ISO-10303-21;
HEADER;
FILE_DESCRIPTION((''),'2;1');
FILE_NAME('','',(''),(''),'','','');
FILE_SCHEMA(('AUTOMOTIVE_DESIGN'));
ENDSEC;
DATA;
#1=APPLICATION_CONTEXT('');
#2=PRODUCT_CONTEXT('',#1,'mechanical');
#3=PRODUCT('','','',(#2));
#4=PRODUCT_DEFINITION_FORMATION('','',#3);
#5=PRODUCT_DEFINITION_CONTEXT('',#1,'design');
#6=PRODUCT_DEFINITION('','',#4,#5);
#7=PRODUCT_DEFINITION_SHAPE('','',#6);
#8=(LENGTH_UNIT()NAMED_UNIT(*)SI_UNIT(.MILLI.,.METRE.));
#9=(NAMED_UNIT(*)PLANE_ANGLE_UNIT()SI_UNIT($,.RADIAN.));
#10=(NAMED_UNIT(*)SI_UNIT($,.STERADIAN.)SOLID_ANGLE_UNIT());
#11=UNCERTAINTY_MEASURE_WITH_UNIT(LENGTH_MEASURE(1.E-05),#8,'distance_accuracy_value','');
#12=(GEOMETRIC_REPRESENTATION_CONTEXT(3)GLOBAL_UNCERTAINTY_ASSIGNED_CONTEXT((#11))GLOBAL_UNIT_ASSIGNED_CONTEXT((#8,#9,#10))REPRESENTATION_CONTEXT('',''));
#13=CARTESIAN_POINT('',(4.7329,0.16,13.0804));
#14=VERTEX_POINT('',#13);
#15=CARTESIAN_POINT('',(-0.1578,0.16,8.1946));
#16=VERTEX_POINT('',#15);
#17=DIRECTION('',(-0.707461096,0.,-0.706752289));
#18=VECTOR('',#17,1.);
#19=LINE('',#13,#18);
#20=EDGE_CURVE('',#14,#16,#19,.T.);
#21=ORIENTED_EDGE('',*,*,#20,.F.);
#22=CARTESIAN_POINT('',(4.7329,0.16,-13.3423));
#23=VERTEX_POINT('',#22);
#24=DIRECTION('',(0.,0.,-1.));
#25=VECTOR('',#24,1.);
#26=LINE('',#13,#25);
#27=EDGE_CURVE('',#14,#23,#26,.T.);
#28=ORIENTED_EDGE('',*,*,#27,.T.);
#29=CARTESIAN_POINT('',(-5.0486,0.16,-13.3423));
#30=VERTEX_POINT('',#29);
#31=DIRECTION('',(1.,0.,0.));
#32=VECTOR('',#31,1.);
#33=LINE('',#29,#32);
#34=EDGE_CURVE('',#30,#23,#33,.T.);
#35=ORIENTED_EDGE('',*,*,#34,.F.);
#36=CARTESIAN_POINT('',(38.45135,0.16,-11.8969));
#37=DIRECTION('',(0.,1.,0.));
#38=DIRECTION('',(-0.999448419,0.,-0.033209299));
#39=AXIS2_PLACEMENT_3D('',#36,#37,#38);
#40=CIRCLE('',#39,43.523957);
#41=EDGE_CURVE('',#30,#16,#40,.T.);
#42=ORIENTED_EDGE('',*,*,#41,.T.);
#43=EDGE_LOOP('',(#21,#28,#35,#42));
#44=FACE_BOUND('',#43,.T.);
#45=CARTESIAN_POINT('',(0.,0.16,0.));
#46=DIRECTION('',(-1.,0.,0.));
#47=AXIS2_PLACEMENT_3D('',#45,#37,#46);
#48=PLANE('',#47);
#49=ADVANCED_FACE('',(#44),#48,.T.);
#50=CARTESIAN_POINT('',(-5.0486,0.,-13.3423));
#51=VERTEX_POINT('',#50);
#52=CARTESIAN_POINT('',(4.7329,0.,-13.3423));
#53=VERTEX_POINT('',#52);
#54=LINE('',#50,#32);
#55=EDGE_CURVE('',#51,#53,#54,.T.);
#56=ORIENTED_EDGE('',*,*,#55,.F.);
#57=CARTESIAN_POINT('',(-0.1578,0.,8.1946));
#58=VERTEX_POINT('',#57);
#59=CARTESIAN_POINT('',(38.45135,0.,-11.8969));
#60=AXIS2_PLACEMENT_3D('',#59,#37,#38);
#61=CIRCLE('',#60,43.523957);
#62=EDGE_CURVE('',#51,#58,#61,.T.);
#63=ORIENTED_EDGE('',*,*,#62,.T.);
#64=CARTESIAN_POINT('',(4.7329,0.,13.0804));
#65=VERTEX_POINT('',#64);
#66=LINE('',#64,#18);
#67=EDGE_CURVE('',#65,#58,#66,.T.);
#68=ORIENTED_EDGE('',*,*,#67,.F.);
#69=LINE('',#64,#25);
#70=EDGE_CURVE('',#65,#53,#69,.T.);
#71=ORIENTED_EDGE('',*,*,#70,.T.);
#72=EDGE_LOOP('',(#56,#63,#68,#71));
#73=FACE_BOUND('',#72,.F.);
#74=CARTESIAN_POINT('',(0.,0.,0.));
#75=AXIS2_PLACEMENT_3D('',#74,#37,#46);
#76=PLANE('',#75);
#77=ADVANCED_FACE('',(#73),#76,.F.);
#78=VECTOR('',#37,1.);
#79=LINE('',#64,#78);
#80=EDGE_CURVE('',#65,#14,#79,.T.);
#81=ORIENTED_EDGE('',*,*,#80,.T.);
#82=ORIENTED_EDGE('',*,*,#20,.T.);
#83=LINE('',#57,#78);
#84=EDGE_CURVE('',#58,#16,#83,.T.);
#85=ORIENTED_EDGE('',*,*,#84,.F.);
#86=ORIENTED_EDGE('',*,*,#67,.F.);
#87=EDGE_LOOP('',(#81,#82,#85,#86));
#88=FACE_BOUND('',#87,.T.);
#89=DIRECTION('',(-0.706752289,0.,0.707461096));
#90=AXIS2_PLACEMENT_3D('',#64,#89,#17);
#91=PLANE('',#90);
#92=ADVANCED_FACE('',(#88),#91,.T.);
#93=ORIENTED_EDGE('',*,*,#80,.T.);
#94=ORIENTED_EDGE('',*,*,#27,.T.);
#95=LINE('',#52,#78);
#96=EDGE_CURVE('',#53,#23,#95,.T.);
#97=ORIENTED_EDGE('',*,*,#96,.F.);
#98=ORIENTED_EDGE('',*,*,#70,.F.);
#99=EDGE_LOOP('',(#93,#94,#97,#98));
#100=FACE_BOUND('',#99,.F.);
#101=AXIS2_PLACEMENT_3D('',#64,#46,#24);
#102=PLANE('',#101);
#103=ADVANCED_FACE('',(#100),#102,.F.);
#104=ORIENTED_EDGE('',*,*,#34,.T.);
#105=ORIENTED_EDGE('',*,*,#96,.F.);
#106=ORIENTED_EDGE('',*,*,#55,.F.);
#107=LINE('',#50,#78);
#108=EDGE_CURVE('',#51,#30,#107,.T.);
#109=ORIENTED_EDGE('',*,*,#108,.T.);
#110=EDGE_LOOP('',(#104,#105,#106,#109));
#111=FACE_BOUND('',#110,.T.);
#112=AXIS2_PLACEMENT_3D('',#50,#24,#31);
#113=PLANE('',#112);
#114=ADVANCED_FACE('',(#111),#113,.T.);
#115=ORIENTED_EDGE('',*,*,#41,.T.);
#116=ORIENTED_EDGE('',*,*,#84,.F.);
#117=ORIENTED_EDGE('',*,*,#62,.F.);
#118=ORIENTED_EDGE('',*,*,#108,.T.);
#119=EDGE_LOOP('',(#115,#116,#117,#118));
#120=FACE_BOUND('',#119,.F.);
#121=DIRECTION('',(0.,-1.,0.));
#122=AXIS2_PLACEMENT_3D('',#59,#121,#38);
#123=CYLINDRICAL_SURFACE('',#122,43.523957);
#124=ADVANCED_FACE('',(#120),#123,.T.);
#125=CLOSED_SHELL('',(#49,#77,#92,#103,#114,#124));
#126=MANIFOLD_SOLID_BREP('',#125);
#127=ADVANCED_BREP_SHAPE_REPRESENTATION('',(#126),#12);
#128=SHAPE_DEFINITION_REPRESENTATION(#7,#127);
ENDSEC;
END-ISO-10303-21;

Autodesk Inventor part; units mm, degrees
ref_plane "YZ Plane" through (0, 0, 0) normal (1, 0, 0) x (0, 1, 0)
ref_plane "XZ Plane" through (0, 0, 0) normal (0, 1, 0) x (-1, 0, 0)
ref_plane "XY Plane" through (0, 0, 0) normal (0, 0, 1) x (1, 0, 0)
sketch "Sketch1" plane through (0, 0, 0) normal (0, 1, 0) x (-1, 0, 0)
  line L0 (-4.7329, 13.0804) -> (0.1578, 8.1946)
  arc A0 (5.0486, -13.3423) -> (0.1578, 8.1946) centre (-38.4524, -11.897) ccw
  line L1 (5.0486, -13.3423) -> (-4.7329, -13.3423)
  line L2 (-4.7329, 13.0804) -> (-4.7329, -13.3423)
  point P0 (0, 0)
extrude "Extrusion1" add sketch "Sketch1" along normal blind 0.16
sketch "Sketch2" plane through (0, 0.16, 0) normal (0, 1, 0) x (1, 0, 0)
  point P0 (0, 0)
properties part number "Solar Cell"
